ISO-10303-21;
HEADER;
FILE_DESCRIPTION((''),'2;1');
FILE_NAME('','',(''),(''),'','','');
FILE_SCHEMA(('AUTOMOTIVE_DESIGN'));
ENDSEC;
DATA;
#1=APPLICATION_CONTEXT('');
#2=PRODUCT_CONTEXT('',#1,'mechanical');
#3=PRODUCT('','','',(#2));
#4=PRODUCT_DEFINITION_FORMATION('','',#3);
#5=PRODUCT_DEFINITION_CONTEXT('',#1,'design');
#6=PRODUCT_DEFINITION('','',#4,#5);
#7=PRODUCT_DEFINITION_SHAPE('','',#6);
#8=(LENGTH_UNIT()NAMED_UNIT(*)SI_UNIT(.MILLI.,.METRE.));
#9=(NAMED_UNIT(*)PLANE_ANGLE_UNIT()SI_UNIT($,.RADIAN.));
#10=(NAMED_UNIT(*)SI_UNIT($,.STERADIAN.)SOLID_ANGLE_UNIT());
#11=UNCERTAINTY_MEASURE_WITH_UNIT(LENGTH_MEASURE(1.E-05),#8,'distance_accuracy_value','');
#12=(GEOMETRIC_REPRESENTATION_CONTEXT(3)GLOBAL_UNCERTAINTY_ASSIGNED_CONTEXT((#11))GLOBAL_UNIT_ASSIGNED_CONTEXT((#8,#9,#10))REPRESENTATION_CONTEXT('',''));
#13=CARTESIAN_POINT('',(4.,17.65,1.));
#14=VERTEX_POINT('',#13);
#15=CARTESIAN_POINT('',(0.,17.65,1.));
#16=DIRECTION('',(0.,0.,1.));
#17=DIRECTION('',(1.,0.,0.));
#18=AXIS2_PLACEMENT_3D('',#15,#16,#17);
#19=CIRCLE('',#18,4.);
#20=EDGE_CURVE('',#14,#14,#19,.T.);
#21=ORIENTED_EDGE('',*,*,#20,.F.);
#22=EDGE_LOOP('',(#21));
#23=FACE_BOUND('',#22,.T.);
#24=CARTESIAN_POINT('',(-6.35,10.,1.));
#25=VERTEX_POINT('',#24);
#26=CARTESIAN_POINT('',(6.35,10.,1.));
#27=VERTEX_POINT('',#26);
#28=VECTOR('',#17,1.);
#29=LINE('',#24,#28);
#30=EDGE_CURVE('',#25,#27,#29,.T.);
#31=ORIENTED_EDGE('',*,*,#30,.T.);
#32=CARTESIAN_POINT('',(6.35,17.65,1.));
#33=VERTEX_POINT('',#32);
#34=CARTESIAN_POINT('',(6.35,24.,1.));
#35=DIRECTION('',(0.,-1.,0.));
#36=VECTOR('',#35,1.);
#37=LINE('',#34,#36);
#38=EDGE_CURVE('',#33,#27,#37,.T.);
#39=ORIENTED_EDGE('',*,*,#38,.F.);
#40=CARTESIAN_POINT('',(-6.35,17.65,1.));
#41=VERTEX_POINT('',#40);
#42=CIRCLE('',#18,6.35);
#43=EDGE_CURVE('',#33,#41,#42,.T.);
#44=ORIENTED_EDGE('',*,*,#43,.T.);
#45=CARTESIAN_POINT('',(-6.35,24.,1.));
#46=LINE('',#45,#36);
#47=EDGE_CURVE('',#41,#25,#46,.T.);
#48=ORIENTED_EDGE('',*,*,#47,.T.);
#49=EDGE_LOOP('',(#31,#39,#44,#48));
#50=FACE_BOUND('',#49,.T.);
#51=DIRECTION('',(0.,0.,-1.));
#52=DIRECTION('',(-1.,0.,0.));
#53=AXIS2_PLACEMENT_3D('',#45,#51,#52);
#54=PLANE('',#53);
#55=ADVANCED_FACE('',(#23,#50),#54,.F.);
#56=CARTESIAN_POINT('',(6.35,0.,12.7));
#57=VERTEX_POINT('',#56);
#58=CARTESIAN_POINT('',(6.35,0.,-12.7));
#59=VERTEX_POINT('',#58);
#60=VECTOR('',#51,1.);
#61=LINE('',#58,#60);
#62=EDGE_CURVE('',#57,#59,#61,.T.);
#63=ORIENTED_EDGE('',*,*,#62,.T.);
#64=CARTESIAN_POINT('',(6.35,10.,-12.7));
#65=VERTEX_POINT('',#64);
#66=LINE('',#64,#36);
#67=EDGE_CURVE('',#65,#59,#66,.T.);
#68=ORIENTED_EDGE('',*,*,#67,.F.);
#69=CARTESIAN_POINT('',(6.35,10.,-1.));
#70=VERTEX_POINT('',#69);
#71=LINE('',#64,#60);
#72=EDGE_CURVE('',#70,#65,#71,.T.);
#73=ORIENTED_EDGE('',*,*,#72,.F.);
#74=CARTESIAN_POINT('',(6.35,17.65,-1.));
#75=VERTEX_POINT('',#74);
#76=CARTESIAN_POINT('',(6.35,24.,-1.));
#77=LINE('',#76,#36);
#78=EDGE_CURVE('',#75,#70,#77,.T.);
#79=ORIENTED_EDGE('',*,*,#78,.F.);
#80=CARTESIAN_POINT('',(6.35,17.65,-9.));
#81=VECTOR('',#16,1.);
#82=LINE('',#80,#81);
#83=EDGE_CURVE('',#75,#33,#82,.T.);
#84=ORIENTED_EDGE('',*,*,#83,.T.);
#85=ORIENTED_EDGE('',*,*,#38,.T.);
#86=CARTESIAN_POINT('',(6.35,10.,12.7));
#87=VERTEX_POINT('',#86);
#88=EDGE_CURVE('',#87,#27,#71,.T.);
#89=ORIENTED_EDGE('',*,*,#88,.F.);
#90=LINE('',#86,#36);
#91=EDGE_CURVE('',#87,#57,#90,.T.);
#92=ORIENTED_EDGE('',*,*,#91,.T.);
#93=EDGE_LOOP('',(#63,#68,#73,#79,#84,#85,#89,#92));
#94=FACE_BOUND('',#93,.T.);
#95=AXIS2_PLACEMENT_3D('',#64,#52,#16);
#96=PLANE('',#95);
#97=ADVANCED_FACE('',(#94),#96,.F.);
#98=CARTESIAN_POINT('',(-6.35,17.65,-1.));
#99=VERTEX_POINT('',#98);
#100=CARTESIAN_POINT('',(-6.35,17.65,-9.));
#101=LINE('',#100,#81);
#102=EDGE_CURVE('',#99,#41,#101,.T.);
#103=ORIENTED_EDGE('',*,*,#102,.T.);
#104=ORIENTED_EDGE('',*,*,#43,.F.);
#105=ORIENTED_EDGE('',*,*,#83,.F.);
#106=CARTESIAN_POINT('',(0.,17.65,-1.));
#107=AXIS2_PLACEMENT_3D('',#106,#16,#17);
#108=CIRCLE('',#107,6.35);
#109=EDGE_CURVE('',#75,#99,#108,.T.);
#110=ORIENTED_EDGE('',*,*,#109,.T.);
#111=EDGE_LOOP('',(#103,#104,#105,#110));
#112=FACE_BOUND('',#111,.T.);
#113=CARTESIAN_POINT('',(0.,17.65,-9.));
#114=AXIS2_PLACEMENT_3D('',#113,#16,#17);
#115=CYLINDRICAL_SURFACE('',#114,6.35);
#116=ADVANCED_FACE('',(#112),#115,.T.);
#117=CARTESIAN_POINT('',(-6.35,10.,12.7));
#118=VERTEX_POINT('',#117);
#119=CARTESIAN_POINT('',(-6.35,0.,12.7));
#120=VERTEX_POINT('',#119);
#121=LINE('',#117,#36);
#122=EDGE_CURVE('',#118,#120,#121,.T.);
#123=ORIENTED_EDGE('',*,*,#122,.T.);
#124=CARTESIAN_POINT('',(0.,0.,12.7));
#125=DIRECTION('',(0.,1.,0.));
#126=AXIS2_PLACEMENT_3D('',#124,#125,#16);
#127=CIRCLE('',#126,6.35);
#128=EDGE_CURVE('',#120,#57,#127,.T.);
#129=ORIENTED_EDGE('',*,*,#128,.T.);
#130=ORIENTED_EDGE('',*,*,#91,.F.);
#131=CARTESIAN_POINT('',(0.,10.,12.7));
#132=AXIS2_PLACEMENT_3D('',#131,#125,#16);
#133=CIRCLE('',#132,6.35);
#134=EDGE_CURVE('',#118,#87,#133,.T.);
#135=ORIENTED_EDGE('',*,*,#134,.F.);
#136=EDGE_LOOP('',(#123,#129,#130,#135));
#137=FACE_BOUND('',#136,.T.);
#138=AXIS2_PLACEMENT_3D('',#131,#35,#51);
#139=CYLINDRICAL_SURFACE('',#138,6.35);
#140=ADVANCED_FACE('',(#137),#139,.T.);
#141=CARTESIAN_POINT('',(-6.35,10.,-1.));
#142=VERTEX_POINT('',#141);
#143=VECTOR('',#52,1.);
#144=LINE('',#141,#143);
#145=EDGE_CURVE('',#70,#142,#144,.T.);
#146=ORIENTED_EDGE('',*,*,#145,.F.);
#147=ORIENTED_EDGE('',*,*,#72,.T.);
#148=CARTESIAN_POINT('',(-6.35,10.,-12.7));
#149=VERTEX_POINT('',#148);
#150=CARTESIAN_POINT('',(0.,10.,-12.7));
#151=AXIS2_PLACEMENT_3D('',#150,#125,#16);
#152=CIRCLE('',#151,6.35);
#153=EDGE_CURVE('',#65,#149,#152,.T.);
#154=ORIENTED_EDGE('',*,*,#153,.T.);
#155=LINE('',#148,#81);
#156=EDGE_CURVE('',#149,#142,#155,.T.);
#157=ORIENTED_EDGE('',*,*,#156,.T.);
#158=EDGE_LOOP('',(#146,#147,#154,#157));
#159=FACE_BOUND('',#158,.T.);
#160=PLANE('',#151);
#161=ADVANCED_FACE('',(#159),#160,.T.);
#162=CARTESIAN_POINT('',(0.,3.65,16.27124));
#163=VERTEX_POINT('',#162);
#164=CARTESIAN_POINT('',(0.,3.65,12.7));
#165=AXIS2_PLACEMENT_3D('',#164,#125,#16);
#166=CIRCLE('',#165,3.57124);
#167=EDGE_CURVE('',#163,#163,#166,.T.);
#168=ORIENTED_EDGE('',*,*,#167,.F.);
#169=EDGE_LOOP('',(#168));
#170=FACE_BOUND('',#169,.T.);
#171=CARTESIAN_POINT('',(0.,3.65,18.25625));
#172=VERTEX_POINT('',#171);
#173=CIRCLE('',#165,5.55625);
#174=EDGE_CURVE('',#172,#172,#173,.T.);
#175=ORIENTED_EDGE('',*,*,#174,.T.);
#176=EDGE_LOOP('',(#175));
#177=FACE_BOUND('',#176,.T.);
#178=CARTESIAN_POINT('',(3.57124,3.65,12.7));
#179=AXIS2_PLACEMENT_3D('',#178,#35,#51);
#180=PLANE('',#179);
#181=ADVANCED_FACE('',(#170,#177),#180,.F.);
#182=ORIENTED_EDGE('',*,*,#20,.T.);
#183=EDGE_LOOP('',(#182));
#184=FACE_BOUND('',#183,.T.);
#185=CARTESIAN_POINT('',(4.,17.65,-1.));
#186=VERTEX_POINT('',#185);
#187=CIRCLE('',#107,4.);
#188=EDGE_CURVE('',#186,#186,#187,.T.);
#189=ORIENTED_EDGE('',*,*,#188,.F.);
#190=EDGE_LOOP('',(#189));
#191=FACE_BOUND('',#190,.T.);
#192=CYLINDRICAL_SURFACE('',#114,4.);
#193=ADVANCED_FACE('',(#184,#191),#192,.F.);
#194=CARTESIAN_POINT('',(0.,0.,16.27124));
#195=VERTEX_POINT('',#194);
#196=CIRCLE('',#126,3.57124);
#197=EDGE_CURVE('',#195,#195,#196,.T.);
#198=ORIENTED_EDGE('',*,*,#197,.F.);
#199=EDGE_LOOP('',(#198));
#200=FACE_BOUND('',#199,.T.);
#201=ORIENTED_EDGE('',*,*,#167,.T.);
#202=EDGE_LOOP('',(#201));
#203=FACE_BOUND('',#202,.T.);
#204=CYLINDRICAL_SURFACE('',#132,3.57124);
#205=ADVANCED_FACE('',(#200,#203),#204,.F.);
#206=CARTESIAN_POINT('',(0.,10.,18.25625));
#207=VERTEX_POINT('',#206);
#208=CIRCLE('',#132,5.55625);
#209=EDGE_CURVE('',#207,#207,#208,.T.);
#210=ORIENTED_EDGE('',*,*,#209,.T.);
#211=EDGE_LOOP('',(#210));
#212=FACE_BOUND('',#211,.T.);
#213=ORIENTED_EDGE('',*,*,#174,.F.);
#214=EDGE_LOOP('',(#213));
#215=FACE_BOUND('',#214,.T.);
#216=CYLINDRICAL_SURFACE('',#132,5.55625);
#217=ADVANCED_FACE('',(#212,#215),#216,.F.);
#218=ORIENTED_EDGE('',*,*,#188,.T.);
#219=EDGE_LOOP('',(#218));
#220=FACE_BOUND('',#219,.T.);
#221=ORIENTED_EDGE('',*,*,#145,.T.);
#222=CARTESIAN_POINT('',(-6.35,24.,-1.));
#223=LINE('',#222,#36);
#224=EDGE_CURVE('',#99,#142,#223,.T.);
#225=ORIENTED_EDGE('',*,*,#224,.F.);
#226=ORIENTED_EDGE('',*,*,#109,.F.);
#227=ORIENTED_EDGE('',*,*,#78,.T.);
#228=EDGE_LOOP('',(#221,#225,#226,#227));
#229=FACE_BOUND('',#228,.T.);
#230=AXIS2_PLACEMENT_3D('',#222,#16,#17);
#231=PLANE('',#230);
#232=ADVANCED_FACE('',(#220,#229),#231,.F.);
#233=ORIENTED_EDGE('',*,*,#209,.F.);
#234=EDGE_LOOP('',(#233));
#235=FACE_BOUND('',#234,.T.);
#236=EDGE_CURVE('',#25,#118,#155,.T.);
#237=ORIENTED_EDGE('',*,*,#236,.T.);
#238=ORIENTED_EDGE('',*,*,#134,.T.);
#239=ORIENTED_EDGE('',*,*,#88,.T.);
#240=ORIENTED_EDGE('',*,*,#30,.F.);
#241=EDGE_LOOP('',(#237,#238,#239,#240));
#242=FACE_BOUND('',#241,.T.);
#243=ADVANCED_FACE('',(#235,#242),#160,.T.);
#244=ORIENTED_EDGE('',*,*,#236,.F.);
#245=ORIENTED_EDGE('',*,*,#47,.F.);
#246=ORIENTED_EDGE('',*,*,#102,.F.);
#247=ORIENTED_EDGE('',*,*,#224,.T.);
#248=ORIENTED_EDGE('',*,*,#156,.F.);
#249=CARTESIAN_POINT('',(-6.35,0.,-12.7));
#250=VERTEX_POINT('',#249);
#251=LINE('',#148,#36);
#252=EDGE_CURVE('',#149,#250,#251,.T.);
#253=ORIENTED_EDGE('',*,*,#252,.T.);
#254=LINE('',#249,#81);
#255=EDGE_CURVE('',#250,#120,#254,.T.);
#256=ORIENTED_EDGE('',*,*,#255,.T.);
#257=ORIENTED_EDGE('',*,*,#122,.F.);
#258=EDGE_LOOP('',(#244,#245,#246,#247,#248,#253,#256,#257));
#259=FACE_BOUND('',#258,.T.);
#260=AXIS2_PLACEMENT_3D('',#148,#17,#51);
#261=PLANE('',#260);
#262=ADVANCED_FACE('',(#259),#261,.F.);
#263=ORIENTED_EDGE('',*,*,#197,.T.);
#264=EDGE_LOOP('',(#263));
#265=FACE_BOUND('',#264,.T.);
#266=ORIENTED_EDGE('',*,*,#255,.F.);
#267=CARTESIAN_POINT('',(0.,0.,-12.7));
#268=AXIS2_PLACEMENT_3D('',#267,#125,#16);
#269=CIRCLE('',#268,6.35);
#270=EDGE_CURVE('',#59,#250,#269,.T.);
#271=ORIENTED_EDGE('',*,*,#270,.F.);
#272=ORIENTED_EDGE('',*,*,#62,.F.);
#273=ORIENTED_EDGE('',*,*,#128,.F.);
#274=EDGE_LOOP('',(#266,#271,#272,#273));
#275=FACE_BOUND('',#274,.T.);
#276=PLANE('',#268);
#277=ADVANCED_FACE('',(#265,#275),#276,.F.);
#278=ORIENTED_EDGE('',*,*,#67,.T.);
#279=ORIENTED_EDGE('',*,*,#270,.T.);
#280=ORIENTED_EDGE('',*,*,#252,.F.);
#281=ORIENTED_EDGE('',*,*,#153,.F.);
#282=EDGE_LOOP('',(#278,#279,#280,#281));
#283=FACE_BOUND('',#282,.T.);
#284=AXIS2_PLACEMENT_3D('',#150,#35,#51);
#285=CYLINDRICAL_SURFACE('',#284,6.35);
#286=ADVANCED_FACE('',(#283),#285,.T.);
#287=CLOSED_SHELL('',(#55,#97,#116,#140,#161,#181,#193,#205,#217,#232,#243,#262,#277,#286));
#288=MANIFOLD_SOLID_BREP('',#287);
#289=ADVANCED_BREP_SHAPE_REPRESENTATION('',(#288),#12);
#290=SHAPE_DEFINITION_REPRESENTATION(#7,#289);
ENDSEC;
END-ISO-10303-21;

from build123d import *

# Parameters (mm, degrees)
BOSS_EXTRUDE1_DEPTH                              = 10
CBORE_FOR_1_4_SOCKET_HEAD_CAP_SCREW1_D           = 7.14248
CBORE_FOR_1_4_SOCKET_HEAD_CAP_SCREW1_CBORE_D     = 11.1125
CBORE_FOR_1_4_SOCKET_HEAD_CAP_SCREW1_CBORE_DEPTH = 6.35
SKETCH5_W                                        = 12.7
SKETCH5_H                                        = 2
BOSS_EXTRUDE2_DEPTH                              = 14
CUT_EXTRUDE1_DEPTH                               = 10
SKETCH7_R                                        = 4
CUT_EXTRUDE2_DEPTH                               = 10


with BuildPart() as part:
    # Sketch1 → Boss-Extrude1 (new body)
    with BuildSketch(Plane(origin=(0, 0, 0), x_dir=(1, 0, 0), z_dir=(0, 1, 0))):
        with BuildLine():
            Line((6.35, 12.7), (6.35, -12.7))
            ThreePointArc((6.35, -12.7), (0, -19.05), (-6.35, -12.7))
            Line((-6.35, -12.7), (-6.35, 12.7))
            ThreePointArc((-6.35, 12.7), (0, 19.05), (6.35, 12.7))
        make_face()
    extrude(amount=BOSS_EXTRUDE1_DEPTH)

    # CBORE for 1/4 Socket Head Cap Screw1 (through all)
    with Locations(Plane(origin=(0, 10, 0), x_dir=(1, 0, 0), z_dir=(0, 1, 0))):
        with Locations((0, -12.7)):
            CounterBoreHole(CBORE_FOR_1_4_SOCKET_HEAD_CAP_SCREW1_D / 2, CBORE_FOR_1_4_SOCKET_HEAD_CAP_SCREW1_CBORE_D / 2, CBORE_FOR_1_4_SOCKET_HEAD_CAP_SCREW1_CBORE_DEPTH)

    # Sketch5 → Boss-Extrude2 (add)
    with BuildSketch(Plane(origin=(0, 10, 0), x_dir=(1, 0, 0), z_dir=(0, 1, 0))):
        Rectangle(SKETCH5_W, SKETCH5_H)
    extrude(amount=BOSS_EXTRUDE2_DEPTH)

    # Sketch6 → Cut-Extrude1 (cut)
    with BuildSketch(Plane.XY.offset(1)):
        with BuildLine():
            Line((-6.35, 24), (-6.35, 17.65))
            ThreePointArc((-6.35, 17.65), (-4.490128051, 22.14012807), (2.8e-08, 24))
            Line((2.8e-08, 24), (-6.35, 24))
        make_face()
        with BuildLine():
            Line((6.35, 24), (2.8e-08, 24))
            ThreePointArc((2.8e-08, 24), (4.49012807, 22.140128051), (6.35, 17.65))
            Line((6.35, 17.65), (6.35, 24))
        make_face()
    extrude(amount=-CUT_EXTRUDE1_DEPTH, mode=Mode.SUBTRACT)

    # Sketch7 → Cut-Extrude2 (cut)
    with BuildSketch(Plane.XY.offset(1)):
        with Locations((0, 17.65)):
            Circle(SKETCH7_R)
    extrude(amount=-CUT_EXTRUDE2_DEPTH, mode=Mode.SUBTRACT)


solid = part.part
